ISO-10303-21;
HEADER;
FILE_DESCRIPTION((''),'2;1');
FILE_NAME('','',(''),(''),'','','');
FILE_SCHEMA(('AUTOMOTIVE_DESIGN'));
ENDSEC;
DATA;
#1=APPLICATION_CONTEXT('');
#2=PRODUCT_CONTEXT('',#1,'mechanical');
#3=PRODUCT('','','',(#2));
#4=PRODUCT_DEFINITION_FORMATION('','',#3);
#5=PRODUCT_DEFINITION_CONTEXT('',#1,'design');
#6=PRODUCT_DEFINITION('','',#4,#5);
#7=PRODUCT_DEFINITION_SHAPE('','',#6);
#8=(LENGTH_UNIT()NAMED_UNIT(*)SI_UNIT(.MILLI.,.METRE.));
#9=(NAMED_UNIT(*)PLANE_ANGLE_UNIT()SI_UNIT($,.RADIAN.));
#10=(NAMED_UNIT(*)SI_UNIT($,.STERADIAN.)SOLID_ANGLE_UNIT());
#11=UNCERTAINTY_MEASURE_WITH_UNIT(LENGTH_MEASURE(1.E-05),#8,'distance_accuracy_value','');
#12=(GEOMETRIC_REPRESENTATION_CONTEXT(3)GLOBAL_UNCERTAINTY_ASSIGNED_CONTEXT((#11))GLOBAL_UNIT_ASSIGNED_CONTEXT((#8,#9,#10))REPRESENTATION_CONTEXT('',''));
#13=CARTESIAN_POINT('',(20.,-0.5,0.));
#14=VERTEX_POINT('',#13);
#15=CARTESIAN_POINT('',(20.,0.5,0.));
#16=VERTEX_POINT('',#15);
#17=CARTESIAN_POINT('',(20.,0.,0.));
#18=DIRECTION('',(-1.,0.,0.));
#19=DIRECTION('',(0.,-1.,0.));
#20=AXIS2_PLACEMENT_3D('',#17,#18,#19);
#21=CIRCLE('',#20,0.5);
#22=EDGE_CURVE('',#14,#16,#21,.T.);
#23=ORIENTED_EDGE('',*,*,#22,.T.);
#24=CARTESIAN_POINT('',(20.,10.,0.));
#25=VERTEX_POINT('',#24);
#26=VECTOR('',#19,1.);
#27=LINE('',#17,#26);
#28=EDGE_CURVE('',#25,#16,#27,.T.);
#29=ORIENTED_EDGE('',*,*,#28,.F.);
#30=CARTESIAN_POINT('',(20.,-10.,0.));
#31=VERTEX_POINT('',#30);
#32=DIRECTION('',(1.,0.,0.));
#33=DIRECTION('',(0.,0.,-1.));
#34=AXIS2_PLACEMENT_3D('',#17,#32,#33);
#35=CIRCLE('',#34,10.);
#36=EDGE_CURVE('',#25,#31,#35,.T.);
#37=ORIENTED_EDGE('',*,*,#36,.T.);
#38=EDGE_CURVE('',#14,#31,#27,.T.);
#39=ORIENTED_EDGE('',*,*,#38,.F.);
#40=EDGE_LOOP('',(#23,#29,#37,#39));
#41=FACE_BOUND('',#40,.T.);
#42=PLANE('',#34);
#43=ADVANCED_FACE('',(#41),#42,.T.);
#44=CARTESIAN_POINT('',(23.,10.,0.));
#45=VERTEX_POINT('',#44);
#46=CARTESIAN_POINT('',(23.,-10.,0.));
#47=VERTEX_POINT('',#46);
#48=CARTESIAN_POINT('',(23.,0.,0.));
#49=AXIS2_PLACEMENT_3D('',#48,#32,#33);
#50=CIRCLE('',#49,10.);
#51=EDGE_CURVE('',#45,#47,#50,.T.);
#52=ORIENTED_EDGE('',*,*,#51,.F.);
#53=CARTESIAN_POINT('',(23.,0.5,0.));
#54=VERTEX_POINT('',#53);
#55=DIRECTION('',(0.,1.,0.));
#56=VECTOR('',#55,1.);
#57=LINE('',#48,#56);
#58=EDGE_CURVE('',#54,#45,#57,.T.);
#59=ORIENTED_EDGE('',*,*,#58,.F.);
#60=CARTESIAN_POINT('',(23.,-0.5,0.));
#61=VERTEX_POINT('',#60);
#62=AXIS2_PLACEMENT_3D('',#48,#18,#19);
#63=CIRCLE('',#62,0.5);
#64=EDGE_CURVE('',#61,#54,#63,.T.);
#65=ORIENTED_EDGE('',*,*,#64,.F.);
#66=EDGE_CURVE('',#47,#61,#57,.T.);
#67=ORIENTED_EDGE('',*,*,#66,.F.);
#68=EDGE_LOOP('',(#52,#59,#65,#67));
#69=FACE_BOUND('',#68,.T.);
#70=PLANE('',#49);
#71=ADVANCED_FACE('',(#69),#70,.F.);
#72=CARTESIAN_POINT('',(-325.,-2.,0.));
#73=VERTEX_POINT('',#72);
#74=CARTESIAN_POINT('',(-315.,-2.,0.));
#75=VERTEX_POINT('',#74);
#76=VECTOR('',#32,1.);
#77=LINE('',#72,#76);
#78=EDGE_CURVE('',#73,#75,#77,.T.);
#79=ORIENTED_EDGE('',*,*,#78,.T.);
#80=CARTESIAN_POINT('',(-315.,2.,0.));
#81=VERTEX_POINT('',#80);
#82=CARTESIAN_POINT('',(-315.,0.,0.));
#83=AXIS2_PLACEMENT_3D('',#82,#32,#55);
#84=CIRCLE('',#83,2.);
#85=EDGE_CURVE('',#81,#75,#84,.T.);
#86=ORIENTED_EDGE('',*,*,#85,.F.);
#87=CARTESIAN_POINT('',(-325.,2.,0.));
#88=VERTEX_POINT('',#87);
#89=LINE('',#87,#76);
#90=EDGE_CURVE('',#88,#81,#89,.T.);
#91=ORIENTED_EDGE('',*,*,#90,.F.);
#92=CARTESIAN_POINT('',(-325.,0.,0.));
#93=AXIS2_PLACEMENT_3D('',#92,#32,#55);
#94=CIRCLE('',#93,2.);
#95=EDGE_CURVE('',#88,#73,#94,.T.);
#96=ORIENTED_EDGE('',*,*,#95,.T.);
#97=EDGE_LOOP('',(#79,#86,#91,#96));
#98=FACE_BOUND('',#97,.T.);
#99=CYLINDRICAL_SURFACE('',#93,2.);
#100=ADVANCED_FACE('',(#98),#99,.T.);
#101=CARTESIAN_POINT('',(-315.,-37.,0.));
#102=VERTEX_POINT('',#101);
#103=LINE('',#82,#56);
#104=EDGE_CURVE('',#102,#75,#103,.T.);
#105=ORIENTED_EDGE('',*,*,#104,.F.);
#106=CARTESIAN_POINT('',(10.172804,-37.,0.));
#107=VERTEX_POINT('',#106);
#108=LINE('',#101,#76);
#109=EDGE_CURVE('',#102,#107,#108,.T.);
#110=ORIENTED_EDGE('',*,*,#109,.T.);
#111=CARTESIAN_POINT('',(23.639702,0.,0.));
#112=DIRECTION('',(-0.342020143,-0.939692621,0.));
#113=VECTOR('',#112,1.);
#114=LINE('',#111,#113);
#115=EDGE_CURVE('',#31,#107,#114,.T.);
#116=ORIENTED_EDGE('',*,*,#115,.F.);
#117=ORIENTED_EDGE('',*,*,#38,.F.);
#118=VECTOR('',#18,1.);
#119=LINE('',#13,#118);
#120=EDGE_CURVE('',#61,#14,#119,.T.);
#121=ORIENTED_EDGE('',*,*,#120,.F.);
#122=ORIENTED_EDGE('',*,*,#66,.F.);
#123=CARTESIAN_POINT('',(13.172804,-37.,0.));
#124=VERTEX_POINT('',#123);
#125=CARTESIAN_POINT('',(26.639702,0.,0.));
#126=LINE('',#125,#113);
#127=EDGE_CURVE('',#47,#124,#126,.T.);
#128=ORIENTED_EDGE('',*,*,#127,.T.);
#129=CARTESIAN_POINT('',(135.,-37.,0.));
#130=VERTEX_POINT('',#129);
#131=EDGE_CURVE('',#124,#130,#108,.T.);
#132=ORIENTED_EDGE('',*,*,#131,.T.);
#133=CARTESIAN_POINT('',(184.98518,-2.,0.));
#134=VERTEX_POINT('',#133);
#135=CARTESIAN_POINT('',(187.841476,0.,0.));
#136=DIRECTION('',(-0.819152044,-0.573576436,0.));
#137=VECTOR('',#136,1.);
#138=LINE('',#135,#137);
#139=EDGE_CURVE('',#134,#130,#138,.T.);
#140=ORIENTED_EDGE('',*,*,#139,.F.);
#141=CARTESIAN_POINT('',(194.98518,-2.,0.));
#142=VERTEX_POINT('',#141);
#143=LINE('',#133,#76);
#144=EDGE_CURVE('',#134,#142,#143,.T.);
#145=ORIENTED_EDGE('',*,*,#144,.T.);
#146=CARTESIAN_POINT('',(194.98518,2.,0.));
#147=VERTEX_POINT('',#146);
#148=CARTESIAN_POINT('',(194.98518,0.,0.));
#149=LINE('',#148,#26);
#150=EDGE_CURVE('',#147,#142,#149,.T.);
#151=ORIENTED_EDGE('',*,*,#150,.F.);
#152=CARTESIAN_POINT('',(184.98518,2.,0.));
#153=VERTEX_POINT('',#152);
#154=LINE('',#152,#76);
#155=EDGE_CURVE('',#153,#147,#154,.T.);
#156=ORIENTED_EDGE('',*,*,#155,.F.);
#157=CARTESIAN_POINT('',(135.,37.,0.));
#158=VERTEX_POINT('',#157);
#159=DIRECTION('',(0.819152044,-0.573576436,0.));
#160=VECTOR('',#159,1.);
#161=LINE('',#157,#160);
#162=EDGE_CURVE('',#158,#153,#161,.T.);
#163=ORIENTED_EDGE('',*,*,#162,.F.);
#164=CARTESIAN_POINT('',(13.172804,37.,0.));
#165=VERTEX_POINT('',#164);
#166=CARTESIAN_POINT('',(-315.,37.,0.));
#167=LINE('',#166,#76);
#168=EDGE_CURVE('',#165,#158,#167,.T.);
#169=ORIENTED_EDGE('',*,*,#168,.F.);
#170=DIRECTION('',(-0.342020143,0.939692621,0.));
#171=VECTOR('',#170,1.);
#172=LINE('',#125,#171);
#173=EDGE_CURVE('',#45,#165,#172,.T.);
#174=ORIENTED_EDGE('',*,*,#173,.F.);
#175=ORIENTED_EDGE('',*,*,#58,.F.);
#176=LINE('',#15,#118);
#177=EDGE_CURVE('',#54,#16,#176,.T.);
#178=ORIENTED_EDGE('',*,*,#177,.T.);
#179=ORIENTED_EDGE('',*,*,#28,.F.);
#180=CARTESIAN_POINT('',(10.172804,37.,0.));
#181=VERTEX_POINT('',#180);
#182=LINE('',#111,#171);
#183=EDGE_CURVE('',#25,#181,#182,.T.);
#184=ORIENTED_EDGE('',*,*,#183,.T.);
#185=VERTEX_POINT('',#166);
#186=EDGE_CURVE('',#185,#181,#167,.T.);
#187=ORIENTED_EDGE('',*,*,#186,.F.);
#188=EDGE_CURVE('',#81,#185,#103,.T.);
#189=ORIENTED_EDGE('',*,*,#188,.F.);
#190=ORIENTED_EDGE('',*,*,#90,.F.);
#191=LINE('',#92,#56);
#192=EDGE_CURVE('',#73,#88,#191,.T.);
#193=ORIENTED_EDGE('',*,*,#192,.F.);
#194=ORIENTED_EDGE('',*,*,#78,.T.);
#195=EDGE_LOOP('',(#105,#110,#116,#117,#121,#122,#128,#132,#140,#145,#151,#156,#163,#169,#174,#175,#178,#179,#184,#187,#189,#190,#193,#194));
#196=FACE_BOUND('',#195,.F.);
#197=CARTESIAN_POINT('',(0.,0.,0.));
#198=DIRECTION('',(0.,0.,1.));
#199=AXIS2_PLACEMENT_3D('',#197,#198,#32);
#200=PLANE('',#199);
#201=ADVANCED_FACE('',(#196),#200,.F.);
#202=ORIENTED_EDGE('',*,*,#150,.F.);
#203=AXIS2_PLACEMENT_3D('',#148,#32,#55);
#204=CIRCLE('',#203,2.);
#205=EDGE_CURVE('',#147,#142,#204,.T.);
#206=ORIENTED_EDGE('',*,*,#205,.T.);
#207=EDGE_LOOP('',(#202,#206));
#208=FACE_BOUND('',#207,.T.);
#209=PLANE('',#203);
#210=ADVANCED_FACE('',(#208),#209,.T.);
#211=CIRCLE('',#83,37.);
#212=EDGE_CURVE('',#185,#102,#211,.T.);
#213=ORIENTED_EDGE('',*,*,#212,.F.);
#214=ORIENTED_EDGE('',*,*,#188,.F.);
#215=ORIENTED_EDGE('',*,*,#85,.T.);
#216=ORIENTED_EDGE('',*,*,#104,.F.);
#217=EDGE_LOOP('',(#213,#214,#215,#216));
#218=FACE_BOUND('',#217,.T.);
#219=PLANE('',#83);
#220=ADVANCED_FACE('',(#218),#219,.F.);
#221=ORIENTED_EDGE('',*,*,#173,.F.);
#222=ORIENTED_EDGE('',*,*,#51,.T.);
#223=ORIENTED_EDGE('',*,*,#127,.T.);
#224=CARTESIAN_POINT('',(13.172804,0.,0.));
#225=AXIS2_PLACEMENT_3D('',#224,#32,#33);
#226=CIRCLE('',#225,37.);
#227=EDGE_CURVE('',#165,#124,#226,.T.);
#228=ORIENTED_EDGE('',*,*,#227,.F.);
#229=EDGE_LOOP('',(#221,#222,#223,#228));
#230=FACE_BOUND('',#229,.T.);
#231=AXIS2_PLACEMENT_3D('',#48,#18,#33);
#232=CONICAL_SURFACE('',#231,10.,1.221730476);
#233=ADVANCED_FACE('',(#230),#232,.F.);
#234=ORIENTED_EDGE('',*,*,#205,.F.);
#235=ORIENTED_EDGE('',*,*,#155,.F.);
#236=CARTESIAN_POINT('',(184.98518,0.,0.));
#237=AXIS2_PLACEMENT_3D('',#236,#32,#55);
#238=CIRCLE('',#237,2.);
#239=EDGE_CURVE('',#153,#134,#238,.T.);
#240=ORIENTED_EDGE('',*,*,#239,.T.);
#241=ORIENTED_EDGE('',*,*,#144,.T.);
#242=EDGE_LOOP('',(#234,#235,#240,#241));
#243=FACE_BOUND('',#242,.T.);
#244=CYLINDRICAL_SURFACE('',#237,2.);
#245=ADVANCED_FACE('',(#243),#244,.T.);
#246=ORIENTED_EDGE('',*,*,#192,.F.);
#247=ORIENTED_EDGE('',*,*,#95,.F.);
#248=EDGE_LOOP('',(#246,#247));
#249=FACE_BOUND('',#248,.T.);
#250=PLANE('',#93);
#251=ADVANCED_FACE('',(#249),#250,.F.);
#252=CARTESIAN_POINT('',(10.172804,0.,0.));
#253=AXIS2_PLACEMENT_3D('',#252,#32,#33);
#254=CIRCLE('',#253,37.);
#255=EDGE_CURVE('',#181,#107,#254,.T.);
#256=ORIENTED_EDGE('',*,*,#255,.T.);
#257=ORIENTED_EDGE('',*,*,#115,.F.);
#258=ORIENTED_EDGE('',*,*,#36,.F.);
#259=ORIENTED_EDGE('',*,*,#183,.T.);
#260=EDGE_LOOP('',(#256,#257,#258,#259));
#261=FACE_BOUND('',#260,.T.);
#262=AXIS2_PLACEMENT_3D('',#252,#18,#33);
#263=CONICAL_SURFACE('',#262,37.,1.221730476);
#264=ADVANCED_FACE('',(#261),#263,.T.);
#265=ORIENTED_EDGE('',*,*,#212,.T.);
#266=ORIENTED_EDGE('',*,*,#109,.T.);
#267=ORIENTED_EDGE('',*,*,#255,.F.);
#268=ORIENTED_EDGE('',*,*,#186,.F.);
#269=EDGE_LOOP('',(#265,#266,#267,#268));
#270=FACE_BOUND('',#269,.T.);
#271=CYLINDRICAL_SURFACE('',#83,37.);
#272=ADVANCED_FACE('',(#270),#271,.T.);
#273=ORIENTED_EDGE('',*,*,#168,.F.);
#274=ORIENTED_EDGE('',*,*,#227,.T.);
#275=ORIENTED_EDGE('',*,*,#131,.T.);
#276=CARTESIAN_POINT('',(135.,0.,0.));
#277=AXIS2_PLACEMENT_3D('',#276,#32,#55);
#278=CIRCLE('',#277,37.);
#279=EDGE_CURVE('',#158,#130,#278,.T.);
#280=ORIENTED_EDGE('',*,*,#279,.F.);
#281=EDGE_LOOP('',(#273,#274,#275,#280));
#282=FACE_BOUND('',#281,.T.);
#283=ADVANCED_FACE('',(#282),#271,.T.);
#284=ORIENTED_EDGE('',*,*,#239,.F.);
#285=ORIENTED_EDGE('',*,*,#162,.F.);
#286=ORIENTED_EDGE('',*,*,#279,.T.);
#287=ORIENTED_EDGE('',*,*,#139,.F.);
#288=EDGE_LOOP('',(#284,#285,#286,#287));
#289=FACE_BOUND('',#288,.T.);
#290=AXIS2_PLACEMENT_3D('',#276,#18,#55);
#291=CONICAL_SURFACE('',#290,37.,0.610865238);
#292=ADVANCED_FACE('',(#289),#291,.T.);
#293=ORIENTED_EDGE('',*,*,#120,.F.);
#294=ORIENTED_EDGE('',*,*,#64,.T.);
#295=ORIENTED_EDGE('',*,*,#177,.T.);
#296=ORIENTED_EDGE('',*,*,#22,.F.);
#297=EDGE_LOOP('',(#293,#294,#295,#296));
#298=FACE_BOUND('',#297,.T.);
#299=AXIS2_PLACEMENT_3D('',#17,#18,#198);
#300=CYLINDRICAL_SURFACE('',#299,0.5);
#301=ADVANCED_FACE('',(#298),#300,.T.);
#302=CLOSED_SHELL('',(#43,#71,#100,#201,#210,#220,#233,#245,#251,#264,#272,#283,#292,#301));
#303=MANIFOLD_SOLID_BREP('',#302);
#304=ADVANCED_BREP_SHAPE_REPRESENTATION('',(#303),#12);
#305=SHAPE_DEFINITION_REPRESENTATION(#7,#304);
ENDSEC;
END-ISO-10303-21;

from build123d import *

# Parameters (mm, degrees)
SKETCH5_R          = 0.5
CUT_EXTRUDE1_DEPTH = 10
SKETCH6_W          = 703.629675086
SKETCH6_H          = 157.863240862
CUT_EXTRUDE2_DEPTH = 90


with BuildPart() as part:
    # Sketch1 → Revolve1 (revolve)
    with BuildSketch(Plane.XY):
        Polygon((-315, 2), (-315, 37), (135, 37), (184.985180236, 2), (194.985180236, 2), (194.985180236, 0), (-125, 0), (-325, 0), (-325, 2), align=None)
    revolve(axis=Axis((-125, 0, 0), (1, 0, 0)))


with BuildPart() as body_2:
    # Sketch4 → Revolve2 (revolve)
    with BuildSketch(Plane(origin=(0, 0, 0), x_dir=(1, 0, 0), z_dir=(0, 1, 0))):
        Polygon((23, 0), (23, 10), (13.172803675, 37), (10.172803675, 37), (20, 10), (20, 0), align=None)
    revolve(axis=Axis((20, 0, 0), (1, 0, 0)))

    # Sketch5 → Cut-Extrude1 (cut)
    with BuildSketch(Plane.ZY.offset(-20)):
        Circle(SKETCH5_R)
    extrude(amount=-CUT_EXTRUDE1_DEPTH, mode=Mode.SUBTRACT)


with BuildPart() as part_1:
    add(part.part)

    # Combine1: cut body 2
    add(body_2.part, mode=Mode.SUBTRACT)

    # Sketch6 → Cut-Extrude2 (cut)
    with BuildSketch(Plane.XY):
        Rectangle(SKETCH6_W, SKETCH6_H)
    extrude(amount=-CUT_EXTRUDE2_DEPTH, mode=Mode.SUBTRACT)


solid = part_1.part
